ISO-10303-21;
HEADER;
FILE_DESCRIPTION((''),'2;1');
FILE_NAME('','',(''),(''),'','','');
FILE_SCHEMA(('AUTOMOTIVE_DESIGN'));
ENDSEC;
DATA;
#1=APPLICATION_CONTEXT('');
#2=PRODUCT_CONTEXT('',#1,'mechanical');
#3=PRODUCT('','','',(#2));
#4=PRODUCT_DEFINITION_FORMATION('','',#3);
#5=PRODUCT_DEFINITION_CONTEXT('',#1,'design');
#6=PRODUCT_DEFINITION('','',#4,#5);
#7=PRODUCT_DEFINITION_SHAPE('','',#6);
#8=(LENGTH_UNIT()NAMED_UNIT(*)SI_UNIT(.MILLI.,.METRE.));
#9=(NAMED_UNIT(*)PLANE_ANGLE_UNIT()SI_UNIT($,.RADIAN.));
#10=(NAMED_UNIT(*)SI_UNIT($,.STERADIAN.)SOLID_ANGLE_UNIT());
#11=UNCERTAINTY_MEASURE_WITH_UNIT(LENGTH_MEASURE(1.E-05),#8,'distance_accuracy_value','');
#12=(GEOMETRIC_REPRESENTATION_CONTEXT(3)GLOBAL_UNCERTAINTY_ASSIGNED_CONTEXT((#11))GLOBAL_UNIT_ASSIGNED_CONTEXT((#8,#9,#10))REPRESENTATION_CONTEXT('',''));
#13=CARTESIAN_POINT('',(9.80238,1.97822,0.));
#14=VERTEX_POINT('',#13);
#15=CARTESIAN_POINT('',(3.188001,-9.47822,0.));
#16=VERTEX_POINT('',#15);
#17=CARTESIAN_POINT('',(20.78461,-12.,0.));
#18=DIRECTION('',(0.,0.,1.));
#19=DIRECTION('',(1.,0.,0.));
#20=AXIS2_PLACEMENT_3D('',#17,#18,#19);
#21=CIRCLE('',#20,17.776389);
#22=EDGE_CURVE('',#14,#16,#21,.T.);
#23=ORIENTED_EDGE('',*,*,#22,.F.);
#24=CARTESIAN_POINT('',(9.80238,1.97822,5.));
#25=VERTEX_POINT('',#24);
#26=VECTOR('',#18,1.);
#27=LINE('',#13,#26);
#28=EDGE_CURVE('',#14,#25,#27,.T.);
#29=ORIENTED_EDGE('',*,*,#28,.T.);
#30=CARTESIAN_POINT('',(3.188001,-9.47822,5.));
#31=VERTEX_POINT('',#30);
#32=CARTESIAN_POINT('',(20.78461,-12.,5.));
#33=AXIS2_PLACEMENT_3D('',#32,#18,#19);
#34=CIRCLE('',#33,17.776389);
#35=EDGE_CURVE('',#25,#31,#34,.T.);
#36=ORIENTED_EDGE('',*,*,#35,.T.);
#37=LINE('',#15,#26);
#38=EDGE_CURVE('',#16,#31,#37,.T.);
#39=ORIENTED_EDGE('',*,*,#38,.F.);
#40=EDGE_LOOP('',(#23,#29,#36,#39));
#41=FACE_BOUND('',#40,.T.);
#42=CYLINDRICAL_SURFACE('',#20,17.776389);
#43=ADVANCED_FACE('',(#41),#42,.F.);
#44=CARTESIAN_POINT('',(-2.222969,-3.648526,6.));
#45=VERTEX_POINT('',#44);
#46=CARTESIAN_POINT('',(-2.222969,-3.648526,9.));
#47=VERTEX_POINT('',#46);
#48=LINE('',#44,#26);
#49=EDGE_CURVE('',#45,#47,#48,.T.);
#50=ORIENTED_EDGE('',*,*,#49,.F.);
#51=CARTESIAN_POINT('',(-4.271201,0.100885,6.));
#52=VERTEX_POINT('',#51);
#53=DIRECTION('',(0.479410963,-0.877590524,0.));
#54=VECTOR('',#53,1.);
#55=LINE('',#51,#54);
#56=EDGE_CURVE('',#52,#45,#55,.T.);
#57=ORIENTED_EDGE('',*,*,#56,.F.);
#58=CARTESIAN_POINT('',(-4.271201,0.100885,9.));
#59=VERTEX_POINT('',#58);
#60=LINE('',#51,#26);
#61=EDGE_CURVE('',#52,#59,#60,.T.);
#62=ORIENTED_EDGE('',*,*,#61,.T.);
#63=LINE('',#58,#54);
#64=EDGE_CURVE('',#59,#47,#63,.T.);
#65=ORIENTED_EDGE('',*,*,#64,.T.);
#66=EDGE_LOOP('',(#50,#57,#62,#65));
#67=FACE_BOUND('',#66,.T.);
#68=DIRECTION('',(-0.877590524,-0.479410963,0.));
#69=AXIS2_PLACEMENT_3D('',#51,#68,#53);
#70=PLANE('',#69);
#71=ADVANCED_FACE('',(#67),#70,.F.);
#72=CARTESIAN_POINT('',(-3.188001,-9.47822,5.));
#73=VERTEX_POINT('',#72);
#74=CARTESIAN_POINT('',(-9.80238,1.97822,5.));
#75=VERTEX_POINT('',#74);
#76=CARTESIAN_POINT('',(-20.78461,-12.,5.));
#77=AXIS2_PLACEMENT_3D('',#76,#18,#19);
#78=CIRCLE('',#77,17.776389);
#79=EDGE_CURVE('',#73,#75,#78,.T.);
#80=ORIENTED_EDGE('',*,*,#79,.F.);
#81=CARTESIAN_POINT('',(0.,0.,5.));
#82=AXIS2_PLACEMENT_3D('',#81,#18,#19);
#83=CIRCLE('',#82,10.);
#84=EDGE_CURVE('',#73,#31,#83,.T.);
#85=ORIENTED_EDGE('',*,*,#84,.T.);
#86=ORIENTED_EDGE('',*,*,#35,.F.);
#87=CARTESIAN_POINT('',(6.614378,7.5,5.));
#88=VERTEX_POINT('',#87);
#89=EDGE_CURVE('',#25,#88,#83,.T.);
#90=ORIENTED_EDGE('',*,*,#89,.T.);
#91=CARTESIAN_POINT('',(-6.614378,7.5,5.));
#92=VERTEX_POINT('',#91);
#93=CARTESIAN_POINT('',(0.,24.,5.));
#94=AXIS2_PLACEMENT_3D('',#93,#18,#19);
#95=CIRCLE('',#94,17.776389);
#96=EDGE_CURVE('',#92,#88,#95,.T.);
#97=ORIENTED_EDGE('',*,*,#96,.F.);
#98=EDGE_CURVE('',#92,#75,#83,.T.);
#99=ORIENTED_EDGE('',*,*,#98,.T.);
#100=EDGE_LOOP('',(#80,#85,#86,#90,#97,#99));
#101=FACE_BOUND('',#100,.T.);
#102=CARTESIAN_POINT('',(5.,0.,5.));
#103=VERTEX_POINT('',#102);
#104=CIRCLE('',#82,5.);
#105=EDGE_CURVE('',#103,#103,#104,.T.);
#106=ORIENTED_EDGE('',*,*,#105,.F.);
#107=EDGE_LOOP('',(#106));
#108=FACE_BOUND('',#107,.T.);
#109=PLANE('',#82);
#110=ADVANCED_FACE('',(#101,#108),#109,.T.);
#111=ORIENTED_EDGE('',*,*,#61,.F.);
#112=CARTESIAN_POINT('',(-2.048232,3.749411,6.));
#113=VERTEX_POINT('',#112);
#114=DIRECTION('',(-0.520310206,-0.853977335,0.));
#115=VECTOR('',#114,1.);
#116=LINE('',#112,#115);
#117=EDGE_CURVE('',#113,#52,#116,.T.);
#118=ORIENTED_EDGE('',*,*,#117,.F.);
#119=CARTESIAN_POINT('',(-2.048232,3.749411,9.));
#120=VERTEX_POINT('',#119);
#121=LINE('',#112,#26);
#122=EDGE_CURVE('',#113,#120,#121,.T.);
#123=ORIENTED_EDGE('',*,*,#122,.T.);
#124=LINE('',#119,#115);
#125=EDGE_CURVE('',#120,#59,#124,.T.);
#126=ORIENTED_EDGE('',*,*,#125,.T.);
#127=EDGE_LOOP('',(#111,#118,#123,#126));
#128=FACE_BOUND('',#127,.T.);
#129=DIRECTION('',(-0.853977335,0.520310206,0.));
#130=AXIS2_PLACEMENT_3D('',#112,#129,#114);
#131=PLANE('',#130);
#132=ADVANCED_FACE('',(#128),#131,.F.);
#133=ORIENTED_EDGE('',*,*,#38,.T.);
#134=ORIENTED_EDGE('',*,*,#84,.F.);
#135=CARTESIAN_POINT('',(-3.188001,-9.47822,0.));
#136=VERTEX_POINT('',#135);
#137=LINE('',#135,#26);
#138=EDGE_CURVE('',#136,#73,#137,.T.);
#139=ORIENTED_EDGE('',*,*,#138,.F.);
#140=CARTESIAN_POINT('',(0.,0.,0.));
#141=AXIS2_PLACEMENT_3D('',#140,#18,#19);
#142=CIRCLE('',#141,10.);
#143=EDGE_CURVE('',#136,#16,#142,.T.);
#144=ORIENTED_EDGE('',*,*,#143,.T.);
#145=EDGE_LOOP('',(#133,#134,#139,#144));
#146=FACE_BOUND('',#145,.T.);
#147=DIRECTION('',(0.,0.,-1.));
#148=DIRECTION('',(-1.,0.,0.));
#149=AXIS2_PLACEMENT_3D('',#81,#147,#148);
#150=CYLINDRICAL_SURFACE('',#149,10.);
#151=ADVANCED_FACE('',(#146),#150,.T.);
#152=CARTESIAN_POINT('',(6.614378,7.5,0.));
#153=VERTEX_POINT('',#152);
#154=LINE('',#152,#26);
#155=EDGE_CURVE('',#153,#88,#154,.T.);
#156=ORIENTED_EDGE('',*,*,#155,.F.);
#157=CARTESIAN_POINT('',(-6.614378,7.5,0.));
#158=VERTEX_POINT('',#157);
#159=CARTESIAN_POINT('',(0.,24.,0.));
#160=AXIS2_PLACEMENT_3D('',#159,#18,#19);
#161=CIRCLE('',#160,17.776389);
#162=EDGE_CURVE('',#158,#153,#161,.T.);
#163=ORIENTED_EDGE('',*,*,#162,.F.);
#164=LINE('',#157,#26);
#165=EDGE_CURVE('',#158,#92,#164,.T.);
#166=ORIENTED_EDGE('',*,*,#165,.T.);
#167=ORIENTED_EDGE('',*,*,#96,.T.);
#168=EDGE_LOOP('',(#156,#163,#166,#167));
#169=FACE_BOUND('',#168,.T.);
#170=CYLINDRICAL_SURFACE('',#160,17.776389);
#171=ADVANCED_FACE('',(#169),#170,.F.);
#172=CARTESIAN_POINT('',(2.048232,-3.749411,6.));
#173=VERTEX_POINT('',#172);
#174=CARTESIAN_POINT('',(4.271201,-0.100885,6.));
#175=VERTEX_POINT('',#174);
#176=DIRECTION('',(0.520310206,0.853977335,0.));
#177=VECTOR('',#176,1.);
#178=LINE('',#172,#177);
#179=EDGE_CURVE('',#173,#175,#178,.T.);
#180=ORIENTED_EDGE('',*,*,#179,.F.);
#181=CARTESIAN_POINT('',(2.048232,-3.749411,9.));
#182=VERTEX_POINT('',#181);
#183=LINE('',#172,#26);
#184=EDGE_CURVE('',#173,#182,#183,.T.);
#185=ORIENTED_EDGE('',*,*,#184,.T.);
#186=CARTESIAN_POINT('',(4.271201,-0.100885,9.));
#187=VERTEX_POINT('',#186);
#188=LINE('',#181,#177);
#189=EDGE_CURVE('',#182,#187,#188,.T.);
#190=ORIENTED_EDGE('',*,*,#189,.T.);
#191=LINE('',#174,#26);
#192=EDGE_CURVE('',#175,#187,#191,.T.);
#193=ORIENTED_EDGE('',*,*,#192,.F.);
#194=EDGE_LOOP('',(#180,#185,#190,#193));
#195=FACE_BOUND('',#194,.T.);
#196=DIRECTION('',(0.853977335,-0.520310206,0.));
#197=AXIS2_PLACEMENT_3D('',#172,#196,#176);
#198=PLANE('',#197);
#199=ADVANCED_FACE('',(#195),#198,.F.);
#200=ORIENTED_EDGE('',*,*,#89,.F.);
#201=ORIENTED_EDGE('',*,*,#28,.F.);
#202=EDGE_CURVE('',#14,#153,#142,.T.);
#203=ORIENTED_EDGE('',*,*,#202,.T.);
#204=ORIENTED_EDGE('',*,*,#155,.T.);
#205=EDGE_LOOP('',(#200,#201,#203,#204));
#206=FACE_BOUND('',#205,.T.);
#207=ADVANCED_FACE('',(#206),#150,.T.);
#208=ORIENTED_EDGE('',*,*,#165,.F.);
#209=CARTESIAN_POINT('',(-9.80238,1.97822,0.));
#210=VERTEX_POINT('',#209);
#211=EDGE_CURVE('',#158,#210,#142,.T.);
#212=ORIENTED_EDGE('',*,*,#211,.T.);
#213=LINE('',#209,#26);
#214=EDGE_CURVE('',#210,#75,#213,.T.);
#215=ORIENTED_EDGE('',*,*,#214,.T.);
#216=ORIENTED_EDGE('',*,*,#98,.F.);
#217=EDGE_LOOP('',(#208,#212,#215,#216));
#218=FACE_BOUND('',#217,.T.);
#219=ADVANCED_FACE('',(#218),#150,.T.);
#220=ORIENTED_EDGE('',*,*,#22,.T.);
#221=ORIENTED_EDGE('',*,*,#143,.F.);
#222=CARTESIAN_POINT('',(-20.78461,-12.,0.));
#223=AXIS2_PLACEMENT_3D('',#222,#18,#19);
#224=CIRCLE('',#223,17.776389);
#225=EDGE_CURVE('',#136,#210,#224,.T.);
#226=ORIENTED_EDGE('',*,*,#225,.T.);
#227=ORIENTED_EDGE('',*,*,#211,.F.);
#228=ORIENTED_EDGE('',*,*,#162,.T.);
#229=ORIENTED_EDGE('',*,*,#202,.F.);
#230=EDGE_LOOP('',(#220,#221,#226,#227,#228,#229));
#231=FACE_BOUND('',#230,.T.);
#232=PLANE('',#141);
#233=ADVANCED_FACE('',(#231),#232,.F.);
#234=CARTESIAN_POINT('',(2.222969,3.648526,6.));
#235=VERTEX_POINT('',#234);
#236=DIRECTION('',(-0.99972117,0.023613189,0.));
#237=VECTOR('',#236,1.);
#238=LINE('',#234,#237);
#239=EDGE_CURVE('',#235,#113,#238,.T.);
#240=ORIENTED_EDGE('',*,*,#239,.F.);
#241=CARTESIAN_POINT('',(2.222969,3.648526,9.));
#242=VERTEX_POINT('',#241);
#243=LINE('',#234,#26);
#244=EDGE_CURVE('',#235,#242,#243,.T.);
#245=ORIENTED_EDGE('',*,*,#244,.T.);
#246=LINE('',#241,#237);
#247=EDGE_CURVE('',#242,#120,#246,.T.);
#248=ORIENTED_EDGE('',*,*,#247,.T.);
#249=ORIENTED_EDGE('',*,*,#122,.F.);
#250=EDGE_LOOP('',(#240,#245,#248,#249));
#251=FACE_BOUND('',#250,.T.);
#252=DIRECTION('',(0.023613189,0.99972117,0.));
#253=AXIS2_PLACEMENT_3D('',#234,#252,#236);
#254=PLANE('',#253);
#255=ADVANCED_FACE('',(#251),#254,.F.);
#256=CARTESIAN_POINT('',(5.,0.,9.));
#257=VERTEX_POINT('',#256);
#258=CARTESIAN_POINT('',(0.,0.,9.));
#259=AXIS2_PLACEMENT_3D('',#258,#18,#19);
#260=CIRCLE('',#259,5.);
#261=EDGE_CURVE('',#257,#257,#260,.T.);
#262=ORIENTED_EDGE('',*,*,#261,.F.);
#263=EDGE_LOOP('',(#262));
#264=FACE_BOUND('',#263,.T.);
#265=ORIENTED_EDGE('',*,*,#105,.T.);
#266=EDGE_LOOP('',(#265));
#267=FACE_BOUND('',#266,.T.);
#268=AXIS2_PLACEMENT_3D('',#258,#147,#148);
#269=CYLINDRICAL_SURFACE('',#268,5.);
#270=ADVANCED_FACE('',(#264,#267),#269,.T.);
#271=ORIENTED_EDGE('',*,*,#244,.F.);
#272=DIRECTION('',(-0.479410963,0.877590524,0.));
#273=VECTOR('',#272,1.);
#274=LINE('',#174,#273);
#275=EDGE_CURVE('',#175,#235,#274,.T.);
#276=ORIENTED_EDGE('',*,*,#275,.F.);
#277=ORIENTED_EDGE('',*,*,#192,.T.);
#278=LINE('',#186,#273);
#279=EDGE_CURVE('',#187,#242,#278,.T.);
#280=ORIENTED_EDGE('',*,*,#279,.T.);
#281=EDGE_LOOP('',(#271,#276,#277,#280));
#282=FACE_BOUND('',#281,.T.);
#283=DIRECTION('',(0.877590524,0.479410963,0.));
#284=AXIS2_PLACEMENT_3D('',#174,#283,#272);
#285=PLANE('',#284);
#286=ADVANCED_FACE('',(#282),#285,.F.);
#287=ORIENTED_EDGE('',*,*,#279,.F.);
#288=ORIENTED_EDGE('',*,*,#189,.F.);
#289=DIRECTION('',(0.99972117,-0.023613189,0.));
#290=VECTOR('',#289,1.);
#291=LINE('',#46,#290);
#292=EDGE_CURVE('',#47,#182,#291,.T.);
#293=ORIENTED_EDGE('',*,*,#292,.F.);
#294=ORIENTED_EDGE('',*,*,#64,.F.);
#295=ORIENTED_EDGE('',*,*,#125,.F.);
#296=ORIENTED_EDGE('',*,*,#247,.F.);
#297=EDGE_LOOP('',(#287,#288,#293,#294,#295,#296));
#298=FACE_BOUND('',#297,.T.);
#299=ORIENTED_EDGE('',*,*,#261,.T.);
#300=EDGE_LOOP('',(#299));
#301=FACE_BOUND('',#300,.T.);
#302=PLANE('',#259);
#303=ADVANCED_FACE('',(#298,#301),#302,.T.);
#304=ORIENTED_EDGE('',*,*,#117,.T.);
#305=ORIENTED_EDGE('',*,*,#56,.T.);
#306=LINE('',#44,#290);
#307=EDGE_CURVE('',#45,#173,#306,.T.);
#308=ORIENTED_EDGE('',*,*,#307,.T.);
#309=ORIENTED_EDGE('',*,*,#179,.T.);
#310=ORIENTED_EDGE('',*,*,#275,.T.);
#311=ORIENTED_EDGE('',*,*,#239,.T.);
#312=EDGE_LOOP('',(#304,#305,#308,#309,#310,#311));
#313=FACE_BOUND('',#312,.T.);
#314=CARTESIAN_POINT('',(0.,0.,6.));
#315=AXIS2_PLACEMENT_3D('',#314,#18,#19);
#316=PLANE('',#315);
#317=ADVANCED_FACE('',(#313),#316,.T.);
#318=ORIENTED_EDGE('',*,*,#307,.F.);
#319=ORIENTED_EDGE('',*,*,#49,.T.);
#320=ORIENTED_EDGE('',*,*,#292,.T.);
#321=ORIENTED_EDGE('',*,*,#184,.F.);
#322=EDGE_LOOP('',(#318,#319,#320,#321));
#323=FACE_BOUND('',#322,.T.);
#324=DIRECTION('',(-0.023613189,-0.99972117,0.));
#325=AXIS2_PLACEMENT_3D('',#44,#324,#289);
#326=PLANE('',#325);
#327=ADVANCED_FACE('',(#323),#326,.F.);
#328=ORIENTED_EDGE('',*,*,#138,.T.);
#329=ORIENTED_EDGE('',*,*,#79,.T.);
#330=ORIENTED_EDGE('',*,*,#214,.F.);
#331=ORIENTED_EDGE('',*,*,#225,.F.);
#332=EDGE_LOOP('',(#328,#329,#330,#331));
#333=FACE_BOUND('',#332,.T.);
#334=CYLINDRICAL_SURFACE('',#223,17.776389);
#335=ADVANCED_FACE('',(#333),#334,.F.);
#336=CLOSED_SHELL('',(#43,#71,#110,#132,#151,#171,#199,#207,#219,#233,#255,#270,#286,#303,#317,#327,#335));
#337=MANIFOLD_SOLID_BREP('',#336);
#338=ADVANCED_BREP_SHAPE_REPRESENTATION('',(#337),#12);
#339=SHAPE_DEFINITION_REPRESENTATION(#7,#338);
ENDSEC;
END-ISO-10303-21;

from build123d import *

# Parameters (mm, degrees)
SKETCH1_R               = 10
BOSS_EXTRUDE1_DEPTH     = 5
SKETCH2_R               = 5
BOSS_EXTRUDE2_DEPTH     = 4
CUT_EXTRUDE1_DEPTH      = 3
CUT_EXTRUDE_THIN1_DEPTH = 5


with BuildPart() as part:
    # Sketch1 → Boss-Extrude1 (new body)
    with BuildSketch(Plane.XY):
        Circle(SKETCH1_R)
    extrude(amount=BOSS_EXTRUDE1_DEPTH)

    # Sketch2 → Boss-Extrude2 (add)
    with BuildSketch(Plane.XY.offset(5)):
        Circle(SKETCH2_R)
    extrude(amount=BOSS_EXTRUDE2_DEPTH)

    # Sketch3 → Cut-Extrude1 (cut)
    with BuildSketch(Plane.XY.offset(9)):
        Polygon((2.048231561, -3.749410728), (4.27120072, -0.1008848), (2.222969159, 3.648525928), (-2.048231561, 3.749410728), (-4.27120072, 0.1008848), (-2.222969159, -3.648525928), align=None)
    extrude(amount=-CUT_EXTRUDE1_DEPTH, mode=Mode.SUBTRACT)

    # Sketch4 → Cut-Extrude-Thin1 (cut)
    with BuildSketch(Plane.XY.offset(5)):
        with BuildLine():
            ThreePointArc((-6.614378278, 7.5), (0, 6.223611165), (6.614378278, 7.5))
            Line((6.614378278, 7.5), (2.893499791, 16.781975183))
            ThreePointArc((2.893499791, 16.781975183), (0, 16.223611165), (-2.893499791, 16.781975183))
            Line((-2.893499791, 16.781975183), (-6.614378278, 7.5))
        make_face()
        with BuildLine():
            ThreePointArc((9.802379667, 1.978219619), (5.389805372, -3.111805583), (3.18800139, -9.478219619))
            Line((3.18800139, -9.478219619), (13.086866938, -10.896831917))
            ThreePointArc((13.086866938, -10.896831917), (14.05005941, -8.111805583), (15.98036673, -5.885143266))
            Line((15.98036673, -5.885143266), (9.802379667, 1.978219619))
        make_face()
        with BuildLine():
            ThreePointArc((-3.18800139, -9.478219619), (-5.389805372, -3.111805583), (-9.802379667, 1.978219619))
            Line((-9.802379667, 1.978219619), (-15.98036673, -5.885143266))
            ThreePointArc((-15.98036673, -5.885143266), (-14.05005941, -8.111805583), (-13.086866938, -10.896831917))
            Line((-13.086866938, -10.896831917), (-3.18800139, -9.478219619))
        make_face()
    extrude(amount=-CUT_EXTRUDE_THIN1_DEPTH, mode=Mode.SUBTRACT)


solid = part.part
